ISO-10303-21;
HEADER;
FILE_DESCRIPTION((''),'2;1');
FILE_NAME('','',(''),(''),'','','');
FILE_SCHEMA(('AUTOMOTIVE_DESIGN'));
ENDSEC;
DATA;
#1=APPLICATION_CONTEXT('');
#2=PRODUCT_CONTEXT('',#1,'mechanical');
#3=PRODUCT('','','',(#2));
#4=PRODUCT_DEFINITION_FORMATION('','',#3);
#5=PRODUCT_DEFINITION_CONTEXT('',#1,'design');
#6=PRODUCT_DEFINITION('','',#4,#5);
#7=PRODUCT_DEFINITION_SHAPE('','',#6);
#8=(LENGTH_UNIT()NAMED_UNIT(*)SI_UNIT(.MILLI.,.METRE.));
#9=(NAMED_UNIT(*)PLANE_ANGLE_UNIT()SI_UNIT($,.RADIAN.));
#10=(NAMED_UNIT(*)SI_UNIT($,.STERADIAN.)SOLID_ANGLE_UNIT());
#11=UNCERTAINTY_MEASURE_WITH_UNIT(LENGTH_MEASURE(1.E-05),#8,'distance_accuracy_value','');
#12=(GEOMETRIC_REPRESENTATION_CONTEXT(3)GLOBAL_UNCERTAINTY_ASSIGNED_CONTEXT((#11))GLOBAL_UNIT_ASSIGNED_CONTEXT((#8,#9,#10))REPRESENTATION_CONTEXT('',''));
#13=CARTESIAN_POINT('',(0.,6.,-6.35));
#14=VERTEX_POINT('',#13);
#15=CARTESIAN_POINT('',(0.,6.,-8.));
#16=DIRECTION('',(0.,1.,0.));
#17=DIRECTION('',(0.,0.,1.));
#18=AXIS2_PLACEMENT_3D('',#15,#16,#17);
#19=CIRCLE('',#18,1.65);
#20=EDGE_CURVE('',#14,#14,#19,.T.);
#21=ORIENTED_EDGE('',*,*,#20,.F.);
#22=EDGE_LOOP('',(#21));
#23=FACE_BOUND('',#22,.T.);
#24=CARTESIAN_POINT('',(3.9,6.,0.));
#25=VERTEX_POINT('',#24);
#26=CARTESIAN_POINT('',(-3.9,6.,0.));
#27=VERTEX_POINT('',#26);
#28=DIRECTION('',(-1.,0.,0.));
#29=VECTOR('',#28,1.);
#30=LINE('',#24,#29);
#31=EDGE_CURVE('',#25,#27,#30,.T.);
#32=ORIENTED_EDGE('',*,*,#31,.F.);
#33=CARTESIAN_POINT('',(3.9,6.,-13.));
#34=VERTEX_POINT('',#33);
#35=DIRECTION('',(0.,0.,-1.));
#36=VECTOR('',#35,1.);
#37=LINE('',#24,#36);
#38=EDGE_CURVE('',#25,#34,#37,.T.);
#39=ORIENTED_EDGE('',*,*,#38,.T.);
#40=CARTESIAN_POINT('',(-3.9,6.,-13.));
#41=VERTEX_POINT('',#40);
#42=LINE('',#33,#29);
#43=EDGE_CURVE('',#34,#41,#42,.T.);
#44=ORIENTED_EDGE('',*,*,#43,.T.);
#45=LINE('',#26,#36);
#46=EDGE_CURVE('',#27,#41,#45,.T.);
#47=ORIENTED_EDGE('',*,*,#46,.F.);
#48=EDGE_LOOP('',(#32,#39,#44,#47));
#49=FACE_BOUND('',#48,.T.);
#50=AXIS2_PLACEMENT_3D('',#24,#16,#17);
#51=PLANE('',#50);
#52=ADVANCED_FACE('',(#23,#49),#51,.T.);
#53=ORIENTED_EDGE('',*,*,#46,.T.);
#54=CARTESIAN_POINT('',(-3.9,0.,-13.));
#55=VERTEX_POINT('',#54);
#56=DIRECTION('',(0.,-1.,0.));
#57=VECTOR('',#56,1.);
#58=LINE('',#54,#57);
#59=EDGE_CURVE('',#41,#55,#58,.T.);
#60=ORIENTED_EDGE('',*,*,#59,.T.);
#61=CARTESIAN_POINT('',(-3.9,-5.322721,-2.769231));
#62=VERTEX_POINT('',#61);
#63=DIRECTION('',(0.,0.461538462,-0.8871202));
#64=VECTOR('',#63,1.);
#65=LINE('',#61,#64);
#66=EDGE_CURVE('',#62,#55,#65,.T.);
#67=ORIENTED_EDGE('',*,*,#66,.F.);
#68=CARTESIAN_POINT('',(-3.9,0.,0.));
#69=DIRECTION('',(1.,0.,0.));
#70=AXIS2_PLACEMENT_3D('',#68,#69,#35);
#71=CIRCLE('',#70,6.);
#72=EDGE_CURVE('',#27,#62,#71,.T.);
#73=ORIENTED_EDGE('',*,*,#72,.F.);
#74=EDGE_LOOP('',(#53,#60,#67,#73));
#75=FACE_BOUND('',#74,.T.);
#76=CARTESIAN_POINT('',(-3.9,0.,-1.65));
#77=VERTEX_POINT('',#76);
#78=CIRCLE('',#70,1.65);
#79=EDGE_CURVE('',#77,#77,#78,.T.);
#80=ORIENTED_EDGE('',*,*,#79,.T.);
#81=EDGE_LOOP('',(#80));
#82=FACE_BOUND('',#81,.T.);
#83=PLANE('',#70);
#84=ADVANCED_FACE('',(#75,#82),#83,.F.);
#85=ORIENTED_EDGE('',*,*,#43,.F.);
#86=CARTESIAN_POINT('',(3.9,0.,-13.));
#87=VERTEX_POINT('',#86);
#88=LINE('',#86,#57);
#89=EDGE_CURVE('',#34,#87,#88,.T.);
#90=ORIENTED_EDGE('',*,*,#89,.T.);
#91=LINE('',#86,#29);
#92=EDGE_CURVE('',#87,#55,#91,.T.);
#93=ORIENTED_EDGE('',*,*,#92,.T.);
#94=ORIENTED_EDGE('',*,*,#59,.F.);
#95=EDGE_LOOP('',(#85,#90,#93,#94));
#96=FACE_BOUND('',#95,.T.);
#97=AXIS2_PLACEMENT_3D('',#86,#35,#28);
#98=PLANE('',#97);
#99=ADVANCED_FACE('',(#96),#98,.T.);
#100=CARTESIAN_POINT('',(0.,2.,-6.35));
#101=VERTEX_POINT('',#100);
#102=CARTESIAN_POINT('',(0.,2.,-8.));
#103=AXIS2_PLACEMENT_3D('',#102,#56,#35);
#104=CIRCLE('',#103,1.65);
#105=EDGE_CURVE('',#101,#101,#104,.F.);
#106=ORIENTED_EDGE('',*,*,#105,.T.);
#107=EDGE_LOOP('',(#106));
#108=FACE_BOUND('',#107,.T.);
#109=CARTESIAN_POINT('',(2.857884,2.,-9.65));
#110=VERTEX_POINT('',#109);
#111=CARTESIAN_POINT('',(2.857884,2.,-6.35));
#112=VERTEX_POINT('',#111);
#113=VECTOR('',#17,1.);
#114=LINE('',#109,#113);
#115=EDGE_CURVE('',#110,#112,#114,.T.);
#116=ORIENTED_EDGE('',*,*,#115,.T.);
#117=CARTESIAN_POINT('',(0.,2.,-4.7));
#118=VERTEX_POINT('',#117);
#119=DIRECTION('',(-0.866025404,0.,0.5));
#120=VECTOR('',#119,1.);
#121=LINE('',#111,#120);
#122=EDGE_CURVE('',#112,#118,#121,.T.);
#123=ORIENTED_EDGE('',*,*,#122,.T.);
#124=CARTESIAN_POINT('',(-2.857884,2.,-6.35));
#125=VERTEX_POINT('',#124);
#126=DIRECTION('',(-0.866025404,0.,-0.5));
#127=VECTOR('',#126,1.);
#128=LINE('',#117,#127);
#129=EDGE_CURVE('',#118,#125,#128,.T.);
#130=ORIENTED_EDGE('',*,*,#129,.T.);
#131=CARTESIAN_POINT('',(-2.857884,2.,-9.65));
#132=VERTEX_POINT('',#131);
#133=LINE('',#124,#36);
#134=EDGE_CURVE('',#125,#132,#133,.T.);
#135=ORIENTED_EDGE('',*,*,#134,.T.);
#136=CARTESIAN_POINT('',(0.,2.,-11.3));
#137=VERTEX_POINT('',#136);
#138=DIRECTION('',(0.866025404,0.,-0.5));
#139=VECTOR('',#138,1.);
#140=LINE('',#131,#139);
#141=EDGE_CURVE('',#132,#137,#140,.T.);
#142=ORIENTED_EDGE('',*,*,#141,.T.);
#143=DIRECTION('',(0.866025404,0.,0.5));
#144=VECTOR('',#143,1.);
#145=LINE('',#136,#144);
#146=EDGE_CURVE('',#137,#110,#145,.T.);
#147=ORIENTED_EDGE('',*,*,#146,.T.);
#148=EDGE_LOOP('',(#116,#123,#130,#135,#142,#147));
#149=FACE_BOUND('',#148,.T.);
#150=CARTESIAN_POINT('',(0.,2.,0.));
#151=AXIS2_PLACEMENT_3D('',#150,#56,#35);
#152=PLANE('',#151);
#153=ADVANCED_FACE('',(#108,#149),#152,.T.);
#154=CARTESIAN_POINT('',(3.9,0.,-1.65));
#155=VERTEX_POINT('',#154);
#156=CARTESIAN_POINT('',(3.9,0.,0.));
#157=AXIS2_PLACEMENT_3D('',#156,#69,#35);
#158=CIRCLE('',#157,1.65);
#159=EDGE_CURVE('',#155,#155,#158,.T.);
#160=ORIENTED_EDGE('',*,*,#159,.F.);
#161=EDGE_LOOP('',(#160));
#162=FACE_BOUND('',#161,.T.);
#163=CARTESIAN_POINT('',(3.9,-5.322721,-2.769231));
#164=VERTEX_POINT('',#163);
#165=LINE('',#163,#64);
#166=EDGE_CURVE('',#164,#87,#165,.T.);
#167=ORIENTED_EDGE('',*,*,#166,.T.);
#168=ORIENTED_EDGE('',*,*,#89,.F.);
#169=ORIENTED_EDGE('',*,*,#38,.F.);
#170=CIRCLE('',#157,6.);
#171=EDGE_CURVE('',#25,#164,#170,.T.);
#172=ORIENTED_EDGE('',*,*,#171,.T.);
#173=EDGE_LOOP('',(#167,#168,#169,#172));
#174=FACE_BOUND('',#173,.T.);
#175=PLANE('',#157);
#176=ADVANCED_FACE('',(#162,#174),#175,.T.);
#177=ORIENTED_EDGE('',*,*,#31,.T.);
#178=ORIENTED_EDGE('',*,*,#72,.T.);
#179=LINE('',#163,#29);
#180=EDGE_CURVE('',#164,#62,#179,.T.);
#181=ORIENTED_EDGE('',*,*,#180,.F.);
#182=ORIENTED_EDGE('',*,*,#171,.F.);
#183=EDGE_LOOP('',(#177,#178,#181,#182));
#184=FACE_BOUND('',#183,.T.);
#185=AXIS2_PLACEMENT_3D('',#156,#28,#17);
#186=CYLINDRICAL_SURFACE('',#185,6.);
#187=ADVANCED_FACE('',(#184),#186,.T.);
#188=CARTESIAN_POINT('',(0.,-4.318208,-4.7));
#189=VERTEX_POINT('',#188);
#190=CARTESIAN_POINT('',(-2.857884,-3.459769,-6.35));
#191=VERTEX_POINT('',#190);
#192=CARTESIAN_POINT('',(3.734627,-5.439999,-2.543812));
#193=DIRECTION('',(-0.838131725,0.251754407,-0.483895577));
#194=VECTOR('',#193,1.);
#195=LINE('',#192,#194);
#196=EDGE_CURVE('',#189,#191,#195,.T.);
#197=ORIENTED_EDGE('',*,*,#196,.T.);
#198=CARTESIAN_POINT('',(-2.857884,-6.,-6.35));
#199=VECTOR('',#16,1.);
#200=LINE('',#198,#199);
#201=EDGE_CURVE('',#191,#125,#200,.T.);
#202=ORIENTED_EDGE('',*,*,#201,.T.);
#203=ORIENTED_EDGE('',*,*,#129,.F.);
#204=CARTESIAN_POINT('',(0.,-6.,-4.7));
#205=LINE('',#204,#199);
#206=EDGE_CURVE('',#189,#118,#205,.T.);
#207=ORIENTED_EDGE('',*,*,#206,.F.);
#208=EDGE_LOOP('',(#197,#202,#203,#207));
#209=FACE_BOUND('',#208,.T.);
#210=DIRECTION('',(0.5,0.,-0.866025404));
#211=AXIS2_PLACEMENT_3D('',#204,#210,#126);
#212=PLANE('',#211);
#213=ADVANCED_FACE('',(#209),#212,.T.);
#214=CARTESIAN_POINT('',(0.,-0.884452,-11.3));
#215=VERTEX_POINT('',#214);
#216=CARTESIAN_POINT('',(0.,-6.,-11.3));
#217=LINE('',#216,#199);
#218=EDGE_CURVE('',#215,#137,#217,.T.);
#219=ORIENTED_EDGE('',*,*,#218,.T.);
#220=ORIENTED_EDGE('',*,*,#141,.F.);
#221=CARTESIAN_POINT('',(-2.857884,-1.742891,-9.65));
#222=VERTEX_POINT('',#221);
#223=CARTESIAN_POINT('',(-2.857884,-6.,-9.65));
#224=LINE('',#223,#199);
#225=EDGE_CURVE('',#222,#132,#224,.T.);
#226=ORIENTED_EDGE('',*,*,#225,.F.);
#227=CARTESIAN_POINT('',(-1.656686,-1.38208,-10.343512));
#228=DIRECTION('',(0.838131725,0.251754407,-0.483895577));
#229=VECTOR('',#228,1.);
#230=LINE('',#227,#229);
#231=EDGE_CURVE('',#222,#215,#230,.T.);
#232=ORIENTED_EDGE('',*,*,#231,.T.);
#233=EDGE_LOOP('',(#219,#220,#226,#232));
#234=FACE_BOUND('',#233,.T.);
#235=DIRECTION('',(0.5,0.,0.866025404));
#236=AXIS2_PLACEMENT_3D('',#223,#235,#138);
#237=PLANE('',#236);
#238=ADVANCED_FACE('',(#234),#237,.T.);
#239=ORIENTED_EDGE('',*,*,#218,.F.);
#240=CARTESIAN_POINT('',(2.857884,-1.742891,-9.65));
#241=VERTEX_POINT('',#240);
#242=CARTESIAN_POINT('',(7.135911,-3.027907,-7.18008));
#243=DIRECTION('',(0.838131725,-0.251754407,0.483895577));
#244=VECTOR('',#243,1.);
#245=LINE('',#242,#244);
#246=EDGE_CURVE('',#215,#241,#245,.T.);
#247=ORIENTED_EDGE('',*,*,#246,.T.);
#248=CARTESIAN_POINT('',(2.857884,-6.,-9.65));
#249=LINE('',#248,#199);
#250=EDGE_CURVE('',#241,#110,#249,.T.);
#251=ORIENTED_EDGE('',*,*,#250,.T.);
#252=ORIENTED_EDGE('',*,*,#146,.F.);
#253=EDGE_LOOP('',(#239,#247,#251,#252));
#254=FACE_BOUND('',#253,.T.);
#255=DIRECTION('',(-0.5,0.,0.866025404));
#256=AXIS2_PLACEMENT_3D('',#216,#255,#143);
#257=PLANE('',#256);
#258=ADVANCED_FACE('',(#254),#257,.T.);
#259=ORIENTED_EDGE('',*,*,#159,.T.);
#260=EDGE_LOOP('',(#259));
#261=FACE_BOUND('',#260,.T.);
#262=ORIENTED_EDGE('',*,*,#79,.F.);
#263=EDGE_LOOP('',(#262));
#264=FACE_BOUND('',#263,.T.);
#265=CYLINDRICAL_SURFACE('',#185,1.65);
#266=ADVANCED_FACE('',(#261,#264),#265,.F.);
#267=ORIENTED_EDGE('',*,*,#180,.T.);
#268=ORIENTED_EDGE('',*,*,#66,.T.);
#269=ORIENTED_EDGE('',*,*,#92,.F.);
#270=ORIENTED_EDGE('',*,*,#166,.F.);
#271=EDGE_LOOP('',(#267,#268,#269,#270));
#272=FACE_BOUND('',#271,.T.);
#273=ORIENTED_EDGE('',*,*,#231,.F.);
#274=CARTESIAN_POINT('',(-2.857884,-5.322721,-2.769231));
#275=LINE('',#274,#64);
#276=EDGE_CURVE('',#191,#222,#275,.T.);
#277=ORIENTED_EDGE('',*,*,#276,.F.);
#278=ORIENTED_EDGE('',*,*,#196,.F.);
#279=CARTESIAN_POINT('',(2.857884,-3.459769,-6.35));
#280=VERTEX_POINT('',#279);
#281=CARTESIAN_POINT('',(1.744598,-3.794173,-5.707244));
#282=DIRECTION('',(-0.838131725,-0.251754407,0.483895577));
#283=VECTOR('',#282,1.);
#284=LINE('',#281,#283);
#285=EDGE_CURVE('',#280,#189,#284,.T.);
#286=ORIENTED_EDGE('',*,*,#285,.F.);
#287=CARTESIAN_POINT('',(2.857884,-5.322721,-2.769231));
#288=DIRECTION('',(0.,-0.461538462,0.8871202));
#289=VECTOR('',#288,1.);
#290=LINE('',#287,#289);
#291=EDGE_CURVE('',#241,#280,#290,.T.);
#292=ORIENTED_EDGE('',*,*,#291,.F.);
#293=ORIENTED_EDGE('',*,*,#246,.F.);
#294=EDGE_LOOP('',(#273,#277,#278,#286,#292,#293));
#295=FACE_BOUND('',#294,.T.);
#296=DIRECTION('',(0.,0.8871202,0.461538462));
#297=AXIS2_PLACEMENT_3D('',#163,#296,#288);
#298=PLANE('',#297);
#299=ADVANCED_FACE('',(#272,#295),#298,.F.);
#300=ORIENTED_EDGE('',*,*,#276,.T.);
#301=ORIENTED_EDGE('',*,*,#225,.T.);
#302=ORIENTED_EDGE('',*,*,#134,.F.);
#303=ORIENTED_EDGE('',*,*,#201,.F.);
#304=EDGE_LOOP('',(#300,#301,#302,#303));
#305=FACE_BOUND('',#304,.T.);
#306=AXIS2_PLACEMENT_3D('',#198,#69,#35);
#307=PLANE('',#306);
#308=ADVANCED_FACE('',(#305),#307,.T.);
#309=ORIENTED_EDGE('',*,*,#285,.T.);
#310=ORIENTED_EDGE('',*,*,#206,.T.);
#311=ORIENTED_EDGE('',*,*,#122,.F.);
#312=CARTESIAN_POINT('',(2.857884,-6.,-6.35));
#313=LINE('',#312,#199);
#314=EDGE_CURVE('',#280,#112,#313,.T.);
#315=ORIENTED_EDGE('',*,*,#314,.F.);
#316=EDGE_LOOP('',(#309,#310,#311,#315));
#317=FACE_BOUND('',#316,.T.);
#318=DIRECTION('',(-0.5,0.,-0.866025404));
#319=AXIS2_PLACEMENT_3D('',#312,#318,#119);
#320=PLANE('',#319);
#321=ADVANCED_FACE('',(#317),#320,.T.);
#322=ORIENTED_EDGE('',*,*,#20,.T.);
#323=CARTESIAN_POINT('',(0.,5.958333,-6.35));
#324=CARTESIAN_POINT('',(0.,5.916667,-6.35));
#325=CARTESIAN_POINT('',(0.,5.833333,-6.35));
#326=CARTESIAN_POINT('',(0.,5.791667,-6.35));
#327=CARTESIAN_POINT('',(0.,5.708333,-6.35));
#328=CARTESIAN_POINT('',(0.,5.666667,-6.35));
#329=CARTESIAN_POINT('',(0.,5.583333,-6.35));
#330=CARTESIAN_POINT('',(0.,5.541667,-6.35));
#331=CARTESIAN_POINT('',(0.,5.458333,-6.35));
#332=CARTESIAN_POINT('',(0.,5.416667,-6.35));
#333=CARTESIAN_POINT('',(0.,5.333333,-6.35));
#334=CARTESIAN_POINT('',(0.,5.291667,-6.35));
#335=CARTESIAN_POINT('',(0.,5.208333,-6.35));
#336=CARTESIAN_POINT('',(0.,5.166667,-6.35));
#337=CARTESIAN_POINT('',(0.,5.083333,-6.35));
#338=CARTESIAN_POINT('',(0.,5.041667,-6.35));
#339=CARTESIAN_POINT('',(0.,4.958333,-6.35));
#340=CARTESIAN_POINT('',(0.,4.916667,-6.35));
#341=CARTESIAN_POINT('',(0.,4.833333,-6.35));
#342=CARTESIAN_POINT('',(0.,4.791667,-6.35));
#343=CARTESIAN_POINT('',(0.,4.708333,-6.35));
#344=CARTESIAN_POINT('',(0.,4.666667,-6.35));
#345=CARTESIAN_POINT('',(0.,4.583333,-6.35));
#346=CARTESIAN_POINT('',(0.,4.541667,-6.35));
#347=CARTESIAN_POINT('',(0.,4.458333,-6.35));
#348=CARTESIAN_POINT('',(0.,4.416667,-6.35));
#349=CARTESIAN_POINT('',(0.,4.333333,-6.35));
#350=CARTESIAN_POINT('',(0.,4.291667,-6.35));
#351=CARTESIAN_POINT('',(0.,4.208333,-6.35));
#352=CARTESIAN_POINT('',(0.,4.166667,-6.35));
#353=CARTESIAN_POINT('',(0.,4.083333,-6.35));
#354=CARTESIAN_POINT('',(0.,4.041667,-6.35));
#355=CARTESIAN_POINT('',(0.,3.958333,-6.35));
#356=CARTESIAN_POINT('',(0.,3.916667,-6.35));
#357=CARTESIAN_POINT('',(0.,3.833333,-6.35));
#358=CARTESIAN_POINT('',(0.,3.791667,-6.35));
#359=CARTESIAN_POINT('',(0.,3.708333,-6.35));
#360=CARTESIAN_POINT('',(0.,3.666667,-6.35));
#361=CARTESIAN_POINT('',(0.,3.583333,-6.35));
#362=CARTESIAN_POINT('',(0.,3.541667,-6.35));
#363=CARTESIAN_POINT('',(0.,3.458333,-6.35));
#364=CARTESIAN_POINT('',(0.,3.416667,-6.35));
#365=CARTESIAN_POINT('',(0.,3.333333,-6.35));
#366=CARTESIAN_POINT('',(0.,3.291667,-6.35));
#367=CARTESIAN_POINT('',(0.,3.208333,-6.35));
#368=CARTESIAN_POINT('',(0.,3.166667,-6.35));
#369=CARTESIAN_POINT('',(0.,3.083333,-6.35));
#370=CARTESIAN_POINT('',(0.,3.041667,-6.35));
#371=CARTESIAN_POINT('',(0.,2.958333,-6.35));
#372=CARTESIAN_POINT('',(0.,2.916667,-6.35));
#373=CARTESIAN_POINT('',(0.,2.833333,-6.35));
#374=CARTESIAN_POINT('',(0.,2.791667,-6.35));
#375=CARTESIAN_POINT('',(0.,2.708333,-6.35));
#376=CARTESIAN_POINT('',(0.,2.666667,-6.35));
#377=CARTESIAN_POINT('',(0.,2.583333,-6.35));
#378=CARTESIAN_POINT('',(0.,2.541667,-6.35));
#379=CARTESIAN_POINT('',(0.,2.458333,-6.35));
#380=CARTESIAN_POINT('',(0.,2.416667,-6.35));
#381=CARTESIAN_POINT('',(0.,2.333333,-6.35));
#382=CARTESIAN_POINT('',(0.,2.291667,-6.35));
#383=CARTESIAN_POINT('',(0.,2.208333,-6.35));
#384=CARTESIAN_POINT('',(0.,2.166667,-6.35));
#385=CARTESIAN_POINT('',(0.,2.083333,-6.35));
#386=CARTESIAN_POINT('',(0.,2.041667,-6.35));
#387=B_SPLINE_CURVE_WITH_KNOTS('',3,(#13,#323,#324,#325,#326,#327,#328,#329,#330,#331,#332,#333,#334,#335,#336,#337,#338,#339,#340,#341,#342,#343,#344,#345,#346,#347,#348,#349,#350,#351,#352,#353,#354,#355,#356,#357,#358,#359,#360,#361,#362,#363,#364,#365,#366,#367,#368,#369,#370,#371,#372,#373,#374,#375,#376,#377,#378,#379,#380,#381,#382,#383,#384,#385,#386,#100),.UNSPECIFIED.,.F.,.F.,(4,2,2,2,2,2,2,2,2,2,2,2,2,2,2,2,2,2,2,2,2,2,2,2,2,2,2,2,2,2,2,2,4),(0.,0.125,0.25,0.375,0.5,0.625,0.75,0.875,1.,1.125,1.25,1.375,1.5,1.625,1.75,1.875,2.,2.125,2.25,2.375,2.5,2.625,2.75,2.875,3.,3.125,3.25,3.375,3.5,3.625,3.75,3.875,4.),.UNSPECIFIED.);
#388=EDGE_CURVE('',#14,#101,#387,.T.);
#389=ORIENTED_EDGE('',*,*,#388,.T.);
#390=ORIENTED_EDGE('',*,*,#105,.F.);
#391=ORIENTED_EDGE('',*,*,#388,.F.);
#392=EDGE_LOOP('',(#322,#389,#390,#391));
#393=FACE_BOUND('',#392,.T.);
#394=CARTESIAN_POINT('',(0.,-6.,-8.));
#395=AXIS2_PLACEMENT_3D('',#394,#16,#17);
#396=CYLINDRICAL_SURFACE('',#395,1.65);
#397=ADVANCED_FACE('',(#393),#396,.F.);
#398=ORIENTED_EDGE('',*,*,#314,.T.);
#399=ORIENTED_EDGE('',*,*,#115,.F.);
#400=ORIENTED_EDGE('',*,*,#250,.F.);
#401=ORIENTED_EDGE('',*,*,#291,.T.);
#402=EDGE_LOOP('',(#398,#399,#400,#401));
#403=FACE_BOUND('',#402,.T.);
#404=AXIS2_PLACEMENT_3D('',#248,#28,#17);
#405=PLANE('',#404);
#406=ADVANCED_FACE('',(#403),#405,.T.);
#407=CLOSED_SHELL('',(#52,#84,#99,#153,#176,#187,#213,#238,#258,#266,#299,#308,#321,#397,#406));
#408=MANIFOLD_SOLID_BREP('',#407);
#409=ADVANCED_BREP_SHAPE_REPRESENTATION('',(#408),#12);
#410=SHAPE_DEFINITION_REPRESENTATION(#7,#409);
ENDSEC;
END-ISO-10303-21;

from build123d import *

# Parameters (mm, degrees)
SKETCH1_R           = 1.65
BOSS_EXTRUDE1_DEPTH = 3.9
BOSS_EXTRUDE2_DEPTH = 3.9
SKETCH2_R           = 1.65
CUT_EXTRUDE5_DEPTH  = 19.116567004
CUT_EXTRUDE6_START  = 4
CUT_EXTRUDE6_DEPTH  = 15.116567004


with BuildPart() as part:
    # Sketch1 → Boss-Extrude1 (new, symmetric)
    with BuildSketch(Plane(origin=(0, 0, 0), x_dir=(0, 0, -1), z_dir=(1, 0, 0))):
        with BuildLine():
            ThreePointArc((6, 0), (4.242640687, 4.242640687), (0, 6))
            ThreePointArc((0, 6), (-5.828221306, -1.425424992), (2.769230769, -5.322721198))
            ThreePointArc((2.769230769, -5.322721198), (5.129102486, -3.11324713), (6, 0))
        make_face()
        Circle(SKETCH1_R, mode=Mode.SUBTRACT)
    extrude(amount=BOSS_EXTRUDE1_DEPTH, both=True)

    # Sketch1<4> → Boss-Extrude2 (add, symmetric)
    with BuildSketch(Plane(origin=(0, 0, 0), x_dir=(0, 0, -1), z_dir=(1, 0, 0))):
        with BuildLine():
            Line((13, 6), (0, 6))
            ThreePointArc((0, 6), (4.242640687, 4.242640687), (6, 0))
            ThreePointArc((6, 0), (5.129102486, -3.11324713), (2.769230769, -5.322721198))
            Line((2.769230769, -5.322721198), (13, 0))
            Line((13, 0), (13, 6))
        make_face()
    extrude(amount=BOSS_EXTRUDE2_DEPTH, both=True)

    # Sketch2 → Cut-Extrude5 (cut, through all)
    with BuildSketch(Plane(origin=(0, 6, 0), x_dir=(1, 0, 0), z_dir=(0, 1, 0))):
        with Locations((0, 8)):
            Circle(SKETCH2_R)
    extrude(amount=-CUT_EXTRUDE5_DEPTH, mode=Mode.SUBTRACT)

    # Sketch3 → Cut-Extrude6 (cut, through all)
    with BuildSketch(Plane.XZ.offset(-6).offset(CUT_EXTRUDE6_START)):
        Polygon((0, -11.3), (2.857883832, -9.65), (2.857883832, -6.35), (0, -4.7), (-2.857883832, -6.35), (-2.857883832, -9.65), align=None)
    extrude(amount=CUT_EXTRUDE6_DEPTH, mode=Mode.SUBTRACT)


solid = part.part
